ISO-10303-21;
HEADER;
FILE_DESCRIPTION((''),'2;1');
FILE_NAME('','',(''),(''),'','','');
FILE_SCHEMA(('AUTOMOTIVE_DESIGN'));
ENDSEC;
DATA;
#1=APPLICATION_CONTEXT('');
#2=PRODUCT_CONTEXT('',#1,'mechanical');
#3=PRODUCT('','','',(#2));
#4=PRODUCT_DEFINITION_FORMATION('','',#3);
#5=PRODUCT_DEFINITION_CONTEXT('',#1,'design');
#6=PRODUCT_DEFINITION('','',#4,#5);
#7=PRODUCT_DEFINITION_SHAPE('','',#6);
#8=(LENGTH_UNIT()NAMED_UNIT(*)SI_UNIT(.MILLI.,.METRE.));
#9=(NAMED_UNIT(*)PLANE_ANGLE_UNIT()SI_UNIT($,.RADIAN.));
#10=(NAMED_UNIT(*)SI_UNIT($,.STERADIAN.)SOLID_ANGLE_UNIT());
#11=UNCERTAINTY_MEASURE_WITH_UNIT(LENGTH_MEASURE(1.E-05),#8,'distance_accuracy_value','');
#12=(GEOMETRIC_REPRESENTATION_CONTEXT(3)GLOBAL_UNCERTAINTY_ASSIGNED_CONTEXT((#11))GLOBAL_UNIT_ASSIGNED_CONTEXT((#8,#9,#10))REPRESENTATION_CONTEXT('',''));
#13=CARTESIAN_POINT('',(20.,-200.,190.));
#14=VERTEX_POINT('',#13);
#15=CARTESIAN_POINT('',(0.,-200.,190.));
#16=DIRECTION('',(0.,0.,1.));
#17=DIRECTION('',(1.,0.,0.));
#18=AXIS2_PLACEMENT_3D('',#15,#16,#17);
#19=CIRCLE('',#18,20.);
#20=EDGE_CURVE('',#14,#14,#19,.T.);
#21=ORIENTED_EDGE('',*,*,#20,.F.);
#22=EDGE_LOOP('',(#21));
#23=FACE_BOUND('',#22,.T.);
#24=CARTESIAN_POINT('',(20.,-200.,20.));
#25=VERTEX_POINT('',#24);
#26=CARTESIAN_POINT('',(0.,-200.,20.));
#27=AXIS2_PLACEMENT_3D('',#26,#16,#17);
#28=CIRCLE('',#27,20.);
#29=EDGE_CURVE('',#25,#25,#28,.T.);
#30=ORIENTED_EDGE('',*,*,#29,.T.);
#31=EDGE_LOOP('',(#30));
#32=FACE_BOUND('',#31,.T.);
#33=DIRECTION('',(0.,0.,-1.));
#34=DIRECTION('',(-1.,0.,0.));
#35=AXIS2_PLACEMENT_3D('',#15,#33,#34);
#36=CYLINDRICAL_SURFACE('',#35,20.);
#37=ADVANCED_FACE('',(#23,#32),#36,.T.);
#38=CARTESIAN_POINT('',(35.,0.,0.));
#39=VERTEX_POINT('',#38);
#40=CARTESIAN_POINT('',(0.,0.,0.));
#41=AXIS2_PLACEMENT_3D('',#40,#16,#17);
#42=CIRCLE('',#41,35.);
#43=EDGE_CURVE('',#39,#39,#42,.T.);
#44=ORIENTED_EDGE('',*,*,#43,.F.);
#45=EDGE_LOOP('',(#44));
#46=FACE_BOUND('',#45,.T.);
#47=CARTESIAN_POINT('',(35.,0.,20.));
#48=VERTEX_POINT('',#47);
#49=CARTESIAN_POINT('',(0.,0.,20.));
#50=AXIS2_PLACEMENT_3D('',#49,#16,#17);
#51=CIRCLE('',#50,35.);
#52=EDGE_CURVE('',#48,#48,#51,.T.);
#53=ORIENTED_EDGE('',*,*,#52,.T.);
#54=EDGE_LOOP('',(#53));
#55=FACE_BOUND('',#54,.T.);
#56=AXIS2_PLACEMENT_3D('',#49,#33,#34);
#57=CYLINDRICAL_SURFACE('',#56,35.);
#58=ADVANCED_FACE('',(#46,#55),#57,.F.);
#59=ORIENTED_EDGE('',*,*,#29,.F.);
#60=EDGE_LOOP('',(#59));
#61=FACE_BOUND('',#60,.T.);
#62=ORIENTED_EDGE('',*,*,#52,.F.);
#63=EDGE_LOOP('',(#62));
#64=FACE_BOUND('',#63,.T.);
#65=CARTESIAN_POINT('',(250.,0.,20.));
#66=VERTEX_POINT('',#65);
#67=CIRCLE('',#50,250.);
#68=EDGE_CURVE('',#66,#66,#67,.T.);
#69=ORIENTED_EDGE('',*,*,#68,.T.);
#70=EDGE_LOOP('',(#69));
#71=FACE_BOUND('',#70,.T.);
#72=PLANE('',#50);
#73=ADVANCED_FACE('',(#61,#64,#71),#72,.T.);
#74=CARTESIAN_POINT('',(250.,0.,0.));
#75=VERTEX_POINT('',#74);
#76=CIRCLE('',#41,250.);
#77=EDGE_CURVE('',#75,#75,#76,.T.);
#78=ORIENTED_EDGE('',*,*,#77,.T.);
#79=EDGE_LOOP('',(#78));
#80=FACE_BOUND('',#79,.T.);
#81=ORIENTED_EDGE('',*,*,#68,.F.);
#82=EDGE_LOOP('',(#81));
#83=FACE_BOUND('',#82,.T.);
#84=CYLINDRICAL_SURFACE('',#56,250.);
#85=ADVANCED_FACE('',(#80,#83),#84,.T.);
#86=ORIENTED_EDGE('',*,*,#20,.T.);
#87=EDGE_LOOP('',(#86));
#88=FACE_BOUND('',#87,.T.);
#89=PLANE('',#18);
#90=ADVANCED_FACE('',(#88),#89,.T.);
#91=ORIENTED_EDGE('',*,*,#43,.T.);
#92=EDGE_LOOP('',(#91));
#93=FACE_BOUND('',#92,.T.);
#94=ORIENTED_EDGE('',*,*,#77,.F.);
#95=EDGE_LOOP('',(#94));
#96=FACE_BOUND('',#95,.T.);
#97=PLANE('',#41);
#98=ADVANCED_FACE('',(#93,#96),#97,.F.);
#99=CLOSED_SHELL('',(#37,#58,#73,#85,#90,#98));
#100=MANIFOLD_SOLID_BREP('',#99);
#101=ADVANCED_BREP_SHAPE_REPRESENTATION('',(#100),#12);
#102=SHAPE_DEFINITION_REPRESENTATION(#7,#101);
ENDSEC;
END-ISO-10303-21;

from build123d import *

# Parameters (mm, degrees)
IZIM1_R                     = 250
IZIM1_R_2                   = 35
Y_KSEKLIK_EKSTR_ZYON1_DEPTH = 20
IZIM2_R                     = 20
Y_KSEKLIK_EKSTR_ZYON2_DEPTH = 170


with BuildPart() as part:
    # Çizim1 → Yükseklik-Ekstrüzyon1 (new body)
    with BuildSketch(Plane.XY):
        Circle(IZIM1_R)
        Circle(IZIM1_R_2, mode=Mode.SUBTRACT)
    extrude(amount=Y_KSEKLIK_EKSTR_ZYON1_DEPTH)

    # Çizim2 → Yükseklik-Ekstrüzyon2 (add)
    with BuildSketch(Plane.XY.offset(20)):
        with Locations((0, -200)):
            Circle(IZIM2_R)
    extrude(amount=Y_KSEKLIK_EKSTR_ZYON2_DEPTH)


solid = part.part
